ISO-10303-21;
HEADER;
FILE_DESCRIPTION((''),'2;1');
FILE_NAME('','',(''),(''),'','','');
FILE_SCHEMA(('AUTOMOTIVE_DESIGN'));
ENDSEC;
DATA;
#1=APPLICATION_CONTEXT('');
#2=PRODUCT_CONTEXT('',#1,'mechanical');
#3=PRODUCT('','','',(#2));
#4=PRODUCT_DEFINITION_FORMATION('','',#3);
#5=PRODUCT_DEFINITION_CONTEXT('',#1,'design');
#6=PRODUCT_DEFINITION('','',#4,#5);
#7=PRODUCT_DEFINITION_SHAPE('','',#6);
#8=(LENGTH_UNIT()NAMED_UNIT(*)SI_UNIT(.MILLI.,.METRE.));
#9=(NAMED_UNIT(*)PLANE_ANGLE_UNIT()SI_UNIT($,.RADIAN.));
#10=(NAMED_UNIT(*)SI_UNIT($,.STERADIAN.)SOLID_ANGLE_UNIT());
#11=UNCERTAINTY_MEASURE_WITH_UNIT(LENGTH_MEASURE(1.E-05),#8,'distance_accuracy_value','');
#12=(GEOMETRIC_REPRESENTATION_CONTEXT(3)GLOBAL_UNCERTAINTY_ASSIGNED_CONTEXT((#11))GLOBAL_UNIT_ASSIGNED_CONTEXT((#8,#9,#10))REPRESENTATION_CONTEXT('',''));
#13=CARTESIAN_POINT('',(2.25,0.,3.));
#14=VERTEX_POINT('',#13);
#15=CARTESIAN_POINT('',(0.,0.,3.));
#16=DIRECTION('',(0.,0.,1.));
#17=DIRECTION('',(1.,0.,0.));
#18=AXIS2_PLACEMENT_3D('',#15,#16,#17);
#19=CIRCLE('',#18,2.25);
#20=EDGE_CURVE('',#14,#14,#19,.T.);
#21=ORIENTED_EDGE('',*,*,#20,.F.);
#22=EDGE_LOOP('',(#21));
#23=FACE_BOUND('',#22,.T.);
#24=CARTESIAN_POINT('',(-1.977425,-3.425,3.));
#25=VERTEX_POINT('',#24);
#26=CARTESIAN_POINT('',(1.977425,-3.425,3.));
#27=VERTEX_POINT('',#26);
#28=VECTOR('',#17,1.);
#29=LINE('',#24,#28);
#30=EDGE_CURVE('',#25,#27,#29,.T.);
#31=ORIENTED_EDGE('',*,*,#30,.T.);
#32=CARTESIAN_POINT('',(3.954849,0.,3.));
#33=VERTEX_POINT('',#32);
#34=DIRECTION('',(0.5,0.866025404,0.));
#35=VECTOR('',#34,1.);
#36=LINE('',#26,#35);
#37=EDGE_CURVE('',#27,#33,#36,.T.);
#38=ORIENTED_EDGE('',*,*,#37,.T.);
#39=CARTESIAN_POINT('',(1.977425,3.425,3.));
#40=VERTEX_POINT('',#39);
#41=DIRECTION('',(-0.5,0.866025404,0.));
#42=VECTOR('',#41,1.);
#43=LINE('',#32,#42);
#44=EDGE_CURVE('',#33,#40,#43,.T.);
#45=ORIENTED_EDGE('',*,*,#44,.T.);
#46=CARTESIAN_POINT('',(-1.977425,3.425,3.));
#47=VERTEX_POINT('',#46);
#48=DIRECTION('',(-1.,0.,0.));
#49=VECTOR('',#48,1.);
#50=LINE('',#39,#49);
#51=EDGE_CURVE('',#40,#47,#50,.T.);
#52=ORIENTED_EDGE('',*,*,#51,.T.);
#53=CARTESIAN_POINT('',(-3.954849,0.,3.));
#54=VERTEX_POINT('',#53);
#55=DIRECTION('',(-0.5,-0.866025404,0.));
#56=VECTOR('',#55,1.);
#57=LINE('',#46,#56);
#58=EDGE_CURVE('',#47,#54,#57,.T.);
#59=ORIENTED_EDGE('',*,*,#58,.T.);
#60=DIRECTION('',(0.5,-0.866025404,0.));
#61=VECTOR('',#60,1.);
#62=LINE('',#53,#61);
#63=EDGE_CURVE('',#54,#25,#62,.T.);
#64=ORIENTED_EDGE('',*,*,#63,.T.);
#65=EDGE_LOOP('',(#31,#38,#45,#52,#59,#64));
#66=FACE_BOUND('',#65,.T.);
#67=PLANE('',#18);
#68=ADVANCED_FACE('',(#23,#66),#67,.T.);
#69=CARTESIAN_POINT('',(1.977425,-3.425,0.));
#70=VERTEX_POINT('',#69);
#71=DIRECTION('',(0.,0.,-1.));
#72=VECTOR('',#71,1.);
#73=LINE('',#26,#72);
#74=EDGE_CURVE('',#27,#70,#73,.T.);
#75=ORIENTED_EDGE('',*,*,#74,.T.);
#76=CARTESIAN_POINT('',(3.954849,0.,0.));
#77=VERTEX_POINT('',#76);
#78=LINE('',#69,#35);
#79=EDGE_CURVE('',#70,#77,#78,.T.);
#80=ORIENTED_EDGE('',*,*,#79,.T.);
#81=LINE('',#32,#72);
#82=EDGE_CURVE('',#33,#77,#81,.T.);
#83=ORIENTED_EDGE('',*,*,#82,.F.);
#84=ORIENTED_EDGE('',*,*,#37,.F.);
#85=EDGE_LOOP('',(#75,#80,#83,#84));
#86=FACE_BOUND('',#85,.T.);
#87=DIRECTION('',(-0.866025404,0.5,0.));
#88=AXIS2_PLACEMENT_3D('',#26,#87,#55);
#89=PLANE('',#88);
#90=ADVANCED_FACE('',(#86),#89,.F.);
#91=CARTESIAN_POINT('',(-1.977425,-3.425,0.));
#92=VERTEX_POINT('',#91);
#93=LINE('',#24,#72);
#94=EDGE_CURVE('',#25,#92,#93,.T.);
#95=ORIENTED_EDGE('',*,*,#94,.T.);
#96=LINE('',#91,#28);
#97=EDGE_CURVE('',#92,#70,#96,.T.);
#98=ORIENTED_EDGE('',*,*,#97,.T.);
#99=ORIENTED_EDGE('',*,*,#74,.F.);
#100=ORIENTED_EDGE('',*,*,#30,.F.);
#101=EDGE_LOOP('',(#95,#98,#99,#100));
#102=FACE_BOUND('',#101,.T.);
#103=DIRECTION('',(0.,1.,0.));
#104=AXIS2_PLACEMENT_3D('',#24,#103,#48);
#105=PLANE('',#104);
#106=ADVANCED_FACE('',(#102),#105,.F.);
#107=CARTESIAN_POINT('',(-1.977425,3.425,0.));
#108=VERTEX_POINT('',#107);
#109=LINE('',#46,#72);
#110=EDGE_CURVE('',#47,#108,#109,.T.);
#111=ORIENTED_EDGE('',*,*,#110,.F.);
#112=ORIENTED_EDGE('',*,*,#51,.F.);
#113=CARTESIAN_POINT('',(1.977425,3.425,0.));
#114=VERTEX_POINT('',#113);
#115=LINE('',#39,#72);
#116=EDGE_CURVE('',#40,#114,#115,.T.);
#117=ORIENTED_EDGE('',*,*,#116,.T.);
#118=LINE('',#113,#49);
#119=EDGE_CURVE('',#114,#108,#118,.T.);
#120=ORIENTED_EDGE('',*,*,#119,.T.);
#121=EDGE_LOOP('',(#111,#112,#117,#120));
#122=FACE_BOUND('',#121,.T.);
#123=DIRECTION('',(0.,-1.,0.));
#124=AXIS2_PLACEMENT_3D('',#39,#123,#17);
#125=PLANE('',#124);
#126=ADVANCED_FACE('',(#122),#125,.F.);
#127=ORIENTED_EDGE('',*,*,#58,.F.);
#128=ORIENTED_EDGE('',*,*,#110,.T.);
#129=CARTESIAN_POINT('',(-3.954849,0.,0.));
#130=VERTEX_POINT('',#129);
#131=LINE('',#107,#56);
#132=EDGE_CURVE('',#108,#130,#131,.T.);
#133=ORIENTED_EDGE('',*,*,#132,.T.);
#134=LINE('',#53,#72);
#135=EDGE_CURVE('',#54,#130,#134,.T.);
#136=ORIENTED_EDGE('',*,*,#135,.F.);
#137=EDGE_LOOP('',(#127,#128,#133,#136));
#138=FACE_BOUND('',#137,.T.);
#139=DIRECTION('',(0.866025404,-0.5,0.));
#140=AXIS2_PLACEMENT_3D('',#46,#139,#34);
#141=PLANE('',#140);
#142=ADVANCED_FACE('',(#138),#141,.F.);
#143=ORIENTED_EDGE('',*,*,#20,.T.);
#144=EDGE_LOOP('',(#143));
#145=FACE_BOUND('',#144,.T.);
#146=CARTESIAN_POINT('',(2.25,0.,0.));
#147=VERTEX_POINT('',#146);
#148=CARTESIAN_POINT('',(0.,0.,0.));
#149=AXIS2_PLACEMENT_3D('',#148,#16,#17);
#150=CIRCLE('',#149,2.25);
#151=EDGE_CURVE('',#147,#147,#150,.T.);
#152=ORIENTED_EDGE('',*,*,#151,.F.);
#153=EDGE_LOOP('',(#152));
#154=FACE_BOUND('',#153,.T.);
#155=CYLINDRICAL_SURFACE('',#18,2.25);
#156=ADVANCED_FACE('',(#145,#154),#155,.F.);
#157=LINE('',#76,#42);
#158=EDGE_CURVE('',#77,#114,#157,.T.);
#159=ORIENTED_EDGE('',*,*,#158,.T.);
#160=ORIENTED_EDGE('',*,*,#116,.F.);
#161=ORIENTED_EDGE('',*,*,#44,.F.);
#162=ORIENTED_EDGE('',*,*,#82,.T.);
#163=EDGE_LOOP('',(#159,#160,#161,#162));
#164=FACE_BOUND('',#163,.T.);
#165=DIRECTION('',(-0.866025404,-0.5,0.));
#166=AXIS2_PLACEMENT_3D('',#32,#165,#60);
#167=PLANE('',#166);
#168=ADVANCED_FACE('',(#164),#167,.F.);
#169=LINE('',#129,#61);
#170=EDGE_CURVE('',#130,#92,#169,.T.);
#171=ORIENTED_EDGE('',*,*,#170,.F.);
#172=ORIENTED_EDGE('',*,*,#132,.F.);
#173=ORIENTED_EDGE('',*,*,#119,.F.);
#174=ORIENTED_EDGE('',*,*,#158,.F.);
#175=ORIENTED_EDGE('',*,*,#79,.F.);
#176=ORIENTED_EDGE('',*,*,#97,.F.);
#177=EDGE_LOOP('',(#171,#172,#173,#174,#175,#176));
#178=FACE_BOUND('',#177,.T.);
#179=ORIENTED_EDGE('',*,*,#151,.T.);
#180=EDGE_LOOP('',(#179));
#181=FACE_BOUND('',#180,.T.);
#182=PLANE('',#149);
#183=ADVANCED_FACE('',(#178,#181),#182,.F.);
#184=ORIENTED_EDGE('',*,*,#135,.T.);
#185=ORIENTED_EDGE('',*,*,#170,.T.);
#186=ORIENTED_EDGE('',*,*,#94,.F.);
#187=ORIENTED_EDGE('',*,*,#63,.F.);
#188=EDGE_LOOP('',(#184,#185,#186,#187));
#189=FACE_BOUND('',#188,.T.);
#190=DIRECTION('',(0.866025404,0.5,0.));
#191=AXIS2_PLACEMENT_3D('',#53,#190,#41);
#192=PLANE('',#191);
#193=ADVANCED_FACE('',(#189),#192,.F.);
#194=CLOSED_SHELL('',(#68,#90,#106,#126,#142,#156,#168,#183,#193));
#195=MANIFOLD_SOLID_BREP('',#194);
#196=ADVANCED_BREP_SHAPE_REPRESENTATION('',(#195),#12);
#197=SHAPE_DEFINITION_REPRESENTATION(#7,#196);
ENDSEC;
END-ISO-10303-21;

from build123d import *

# Parameters (mm, degrees)
EXTRUDE_1_DEPTH        = 3
HOLE_WIZARD_M4_1_D     = 4.5
HOLE_WIZARD_M4_1_DEPTH = 20
HOLE_WIZARD_M4_1_TIP   = 1.351936393


with BuildPart() as part:
    # ｽｹｯﾁ1 → ﾎﾞｽ - 押し出し1 (new body)
    with BuildSketch(Plane.XY):
        Polygon((3.954849344, 0), (1.977424672, 3.425), (-1.977424672, 3.425), (-3.954849344, 0), (-1.977424672, -3.425), (1.977424672, -3.425), align=None)
    extrude(amount=EXTRUDE_1_DEPTH)

    # M4 すきま穴1
    with Locations(Plane.XY.offset(3)):
        with Locations((0, 0)):
            Hole(HOLE_WIZARD_M4_1_D / 2, depth=HOLE_WIZARD_M4_1_DEPTH)
            with Locations((0, 0, -(HOLE_WIZARD_M4_1_DEPTH + HOLE_WIZARD_M4_1_TIP / 2))):  # 118° drill point
                Cone(0, HOLE_WIZARD_M4_1_D / 2, HOLE_WIZARD_M4_1_TIP, mode=Mode.SUBTRACT)


solid = part.part
